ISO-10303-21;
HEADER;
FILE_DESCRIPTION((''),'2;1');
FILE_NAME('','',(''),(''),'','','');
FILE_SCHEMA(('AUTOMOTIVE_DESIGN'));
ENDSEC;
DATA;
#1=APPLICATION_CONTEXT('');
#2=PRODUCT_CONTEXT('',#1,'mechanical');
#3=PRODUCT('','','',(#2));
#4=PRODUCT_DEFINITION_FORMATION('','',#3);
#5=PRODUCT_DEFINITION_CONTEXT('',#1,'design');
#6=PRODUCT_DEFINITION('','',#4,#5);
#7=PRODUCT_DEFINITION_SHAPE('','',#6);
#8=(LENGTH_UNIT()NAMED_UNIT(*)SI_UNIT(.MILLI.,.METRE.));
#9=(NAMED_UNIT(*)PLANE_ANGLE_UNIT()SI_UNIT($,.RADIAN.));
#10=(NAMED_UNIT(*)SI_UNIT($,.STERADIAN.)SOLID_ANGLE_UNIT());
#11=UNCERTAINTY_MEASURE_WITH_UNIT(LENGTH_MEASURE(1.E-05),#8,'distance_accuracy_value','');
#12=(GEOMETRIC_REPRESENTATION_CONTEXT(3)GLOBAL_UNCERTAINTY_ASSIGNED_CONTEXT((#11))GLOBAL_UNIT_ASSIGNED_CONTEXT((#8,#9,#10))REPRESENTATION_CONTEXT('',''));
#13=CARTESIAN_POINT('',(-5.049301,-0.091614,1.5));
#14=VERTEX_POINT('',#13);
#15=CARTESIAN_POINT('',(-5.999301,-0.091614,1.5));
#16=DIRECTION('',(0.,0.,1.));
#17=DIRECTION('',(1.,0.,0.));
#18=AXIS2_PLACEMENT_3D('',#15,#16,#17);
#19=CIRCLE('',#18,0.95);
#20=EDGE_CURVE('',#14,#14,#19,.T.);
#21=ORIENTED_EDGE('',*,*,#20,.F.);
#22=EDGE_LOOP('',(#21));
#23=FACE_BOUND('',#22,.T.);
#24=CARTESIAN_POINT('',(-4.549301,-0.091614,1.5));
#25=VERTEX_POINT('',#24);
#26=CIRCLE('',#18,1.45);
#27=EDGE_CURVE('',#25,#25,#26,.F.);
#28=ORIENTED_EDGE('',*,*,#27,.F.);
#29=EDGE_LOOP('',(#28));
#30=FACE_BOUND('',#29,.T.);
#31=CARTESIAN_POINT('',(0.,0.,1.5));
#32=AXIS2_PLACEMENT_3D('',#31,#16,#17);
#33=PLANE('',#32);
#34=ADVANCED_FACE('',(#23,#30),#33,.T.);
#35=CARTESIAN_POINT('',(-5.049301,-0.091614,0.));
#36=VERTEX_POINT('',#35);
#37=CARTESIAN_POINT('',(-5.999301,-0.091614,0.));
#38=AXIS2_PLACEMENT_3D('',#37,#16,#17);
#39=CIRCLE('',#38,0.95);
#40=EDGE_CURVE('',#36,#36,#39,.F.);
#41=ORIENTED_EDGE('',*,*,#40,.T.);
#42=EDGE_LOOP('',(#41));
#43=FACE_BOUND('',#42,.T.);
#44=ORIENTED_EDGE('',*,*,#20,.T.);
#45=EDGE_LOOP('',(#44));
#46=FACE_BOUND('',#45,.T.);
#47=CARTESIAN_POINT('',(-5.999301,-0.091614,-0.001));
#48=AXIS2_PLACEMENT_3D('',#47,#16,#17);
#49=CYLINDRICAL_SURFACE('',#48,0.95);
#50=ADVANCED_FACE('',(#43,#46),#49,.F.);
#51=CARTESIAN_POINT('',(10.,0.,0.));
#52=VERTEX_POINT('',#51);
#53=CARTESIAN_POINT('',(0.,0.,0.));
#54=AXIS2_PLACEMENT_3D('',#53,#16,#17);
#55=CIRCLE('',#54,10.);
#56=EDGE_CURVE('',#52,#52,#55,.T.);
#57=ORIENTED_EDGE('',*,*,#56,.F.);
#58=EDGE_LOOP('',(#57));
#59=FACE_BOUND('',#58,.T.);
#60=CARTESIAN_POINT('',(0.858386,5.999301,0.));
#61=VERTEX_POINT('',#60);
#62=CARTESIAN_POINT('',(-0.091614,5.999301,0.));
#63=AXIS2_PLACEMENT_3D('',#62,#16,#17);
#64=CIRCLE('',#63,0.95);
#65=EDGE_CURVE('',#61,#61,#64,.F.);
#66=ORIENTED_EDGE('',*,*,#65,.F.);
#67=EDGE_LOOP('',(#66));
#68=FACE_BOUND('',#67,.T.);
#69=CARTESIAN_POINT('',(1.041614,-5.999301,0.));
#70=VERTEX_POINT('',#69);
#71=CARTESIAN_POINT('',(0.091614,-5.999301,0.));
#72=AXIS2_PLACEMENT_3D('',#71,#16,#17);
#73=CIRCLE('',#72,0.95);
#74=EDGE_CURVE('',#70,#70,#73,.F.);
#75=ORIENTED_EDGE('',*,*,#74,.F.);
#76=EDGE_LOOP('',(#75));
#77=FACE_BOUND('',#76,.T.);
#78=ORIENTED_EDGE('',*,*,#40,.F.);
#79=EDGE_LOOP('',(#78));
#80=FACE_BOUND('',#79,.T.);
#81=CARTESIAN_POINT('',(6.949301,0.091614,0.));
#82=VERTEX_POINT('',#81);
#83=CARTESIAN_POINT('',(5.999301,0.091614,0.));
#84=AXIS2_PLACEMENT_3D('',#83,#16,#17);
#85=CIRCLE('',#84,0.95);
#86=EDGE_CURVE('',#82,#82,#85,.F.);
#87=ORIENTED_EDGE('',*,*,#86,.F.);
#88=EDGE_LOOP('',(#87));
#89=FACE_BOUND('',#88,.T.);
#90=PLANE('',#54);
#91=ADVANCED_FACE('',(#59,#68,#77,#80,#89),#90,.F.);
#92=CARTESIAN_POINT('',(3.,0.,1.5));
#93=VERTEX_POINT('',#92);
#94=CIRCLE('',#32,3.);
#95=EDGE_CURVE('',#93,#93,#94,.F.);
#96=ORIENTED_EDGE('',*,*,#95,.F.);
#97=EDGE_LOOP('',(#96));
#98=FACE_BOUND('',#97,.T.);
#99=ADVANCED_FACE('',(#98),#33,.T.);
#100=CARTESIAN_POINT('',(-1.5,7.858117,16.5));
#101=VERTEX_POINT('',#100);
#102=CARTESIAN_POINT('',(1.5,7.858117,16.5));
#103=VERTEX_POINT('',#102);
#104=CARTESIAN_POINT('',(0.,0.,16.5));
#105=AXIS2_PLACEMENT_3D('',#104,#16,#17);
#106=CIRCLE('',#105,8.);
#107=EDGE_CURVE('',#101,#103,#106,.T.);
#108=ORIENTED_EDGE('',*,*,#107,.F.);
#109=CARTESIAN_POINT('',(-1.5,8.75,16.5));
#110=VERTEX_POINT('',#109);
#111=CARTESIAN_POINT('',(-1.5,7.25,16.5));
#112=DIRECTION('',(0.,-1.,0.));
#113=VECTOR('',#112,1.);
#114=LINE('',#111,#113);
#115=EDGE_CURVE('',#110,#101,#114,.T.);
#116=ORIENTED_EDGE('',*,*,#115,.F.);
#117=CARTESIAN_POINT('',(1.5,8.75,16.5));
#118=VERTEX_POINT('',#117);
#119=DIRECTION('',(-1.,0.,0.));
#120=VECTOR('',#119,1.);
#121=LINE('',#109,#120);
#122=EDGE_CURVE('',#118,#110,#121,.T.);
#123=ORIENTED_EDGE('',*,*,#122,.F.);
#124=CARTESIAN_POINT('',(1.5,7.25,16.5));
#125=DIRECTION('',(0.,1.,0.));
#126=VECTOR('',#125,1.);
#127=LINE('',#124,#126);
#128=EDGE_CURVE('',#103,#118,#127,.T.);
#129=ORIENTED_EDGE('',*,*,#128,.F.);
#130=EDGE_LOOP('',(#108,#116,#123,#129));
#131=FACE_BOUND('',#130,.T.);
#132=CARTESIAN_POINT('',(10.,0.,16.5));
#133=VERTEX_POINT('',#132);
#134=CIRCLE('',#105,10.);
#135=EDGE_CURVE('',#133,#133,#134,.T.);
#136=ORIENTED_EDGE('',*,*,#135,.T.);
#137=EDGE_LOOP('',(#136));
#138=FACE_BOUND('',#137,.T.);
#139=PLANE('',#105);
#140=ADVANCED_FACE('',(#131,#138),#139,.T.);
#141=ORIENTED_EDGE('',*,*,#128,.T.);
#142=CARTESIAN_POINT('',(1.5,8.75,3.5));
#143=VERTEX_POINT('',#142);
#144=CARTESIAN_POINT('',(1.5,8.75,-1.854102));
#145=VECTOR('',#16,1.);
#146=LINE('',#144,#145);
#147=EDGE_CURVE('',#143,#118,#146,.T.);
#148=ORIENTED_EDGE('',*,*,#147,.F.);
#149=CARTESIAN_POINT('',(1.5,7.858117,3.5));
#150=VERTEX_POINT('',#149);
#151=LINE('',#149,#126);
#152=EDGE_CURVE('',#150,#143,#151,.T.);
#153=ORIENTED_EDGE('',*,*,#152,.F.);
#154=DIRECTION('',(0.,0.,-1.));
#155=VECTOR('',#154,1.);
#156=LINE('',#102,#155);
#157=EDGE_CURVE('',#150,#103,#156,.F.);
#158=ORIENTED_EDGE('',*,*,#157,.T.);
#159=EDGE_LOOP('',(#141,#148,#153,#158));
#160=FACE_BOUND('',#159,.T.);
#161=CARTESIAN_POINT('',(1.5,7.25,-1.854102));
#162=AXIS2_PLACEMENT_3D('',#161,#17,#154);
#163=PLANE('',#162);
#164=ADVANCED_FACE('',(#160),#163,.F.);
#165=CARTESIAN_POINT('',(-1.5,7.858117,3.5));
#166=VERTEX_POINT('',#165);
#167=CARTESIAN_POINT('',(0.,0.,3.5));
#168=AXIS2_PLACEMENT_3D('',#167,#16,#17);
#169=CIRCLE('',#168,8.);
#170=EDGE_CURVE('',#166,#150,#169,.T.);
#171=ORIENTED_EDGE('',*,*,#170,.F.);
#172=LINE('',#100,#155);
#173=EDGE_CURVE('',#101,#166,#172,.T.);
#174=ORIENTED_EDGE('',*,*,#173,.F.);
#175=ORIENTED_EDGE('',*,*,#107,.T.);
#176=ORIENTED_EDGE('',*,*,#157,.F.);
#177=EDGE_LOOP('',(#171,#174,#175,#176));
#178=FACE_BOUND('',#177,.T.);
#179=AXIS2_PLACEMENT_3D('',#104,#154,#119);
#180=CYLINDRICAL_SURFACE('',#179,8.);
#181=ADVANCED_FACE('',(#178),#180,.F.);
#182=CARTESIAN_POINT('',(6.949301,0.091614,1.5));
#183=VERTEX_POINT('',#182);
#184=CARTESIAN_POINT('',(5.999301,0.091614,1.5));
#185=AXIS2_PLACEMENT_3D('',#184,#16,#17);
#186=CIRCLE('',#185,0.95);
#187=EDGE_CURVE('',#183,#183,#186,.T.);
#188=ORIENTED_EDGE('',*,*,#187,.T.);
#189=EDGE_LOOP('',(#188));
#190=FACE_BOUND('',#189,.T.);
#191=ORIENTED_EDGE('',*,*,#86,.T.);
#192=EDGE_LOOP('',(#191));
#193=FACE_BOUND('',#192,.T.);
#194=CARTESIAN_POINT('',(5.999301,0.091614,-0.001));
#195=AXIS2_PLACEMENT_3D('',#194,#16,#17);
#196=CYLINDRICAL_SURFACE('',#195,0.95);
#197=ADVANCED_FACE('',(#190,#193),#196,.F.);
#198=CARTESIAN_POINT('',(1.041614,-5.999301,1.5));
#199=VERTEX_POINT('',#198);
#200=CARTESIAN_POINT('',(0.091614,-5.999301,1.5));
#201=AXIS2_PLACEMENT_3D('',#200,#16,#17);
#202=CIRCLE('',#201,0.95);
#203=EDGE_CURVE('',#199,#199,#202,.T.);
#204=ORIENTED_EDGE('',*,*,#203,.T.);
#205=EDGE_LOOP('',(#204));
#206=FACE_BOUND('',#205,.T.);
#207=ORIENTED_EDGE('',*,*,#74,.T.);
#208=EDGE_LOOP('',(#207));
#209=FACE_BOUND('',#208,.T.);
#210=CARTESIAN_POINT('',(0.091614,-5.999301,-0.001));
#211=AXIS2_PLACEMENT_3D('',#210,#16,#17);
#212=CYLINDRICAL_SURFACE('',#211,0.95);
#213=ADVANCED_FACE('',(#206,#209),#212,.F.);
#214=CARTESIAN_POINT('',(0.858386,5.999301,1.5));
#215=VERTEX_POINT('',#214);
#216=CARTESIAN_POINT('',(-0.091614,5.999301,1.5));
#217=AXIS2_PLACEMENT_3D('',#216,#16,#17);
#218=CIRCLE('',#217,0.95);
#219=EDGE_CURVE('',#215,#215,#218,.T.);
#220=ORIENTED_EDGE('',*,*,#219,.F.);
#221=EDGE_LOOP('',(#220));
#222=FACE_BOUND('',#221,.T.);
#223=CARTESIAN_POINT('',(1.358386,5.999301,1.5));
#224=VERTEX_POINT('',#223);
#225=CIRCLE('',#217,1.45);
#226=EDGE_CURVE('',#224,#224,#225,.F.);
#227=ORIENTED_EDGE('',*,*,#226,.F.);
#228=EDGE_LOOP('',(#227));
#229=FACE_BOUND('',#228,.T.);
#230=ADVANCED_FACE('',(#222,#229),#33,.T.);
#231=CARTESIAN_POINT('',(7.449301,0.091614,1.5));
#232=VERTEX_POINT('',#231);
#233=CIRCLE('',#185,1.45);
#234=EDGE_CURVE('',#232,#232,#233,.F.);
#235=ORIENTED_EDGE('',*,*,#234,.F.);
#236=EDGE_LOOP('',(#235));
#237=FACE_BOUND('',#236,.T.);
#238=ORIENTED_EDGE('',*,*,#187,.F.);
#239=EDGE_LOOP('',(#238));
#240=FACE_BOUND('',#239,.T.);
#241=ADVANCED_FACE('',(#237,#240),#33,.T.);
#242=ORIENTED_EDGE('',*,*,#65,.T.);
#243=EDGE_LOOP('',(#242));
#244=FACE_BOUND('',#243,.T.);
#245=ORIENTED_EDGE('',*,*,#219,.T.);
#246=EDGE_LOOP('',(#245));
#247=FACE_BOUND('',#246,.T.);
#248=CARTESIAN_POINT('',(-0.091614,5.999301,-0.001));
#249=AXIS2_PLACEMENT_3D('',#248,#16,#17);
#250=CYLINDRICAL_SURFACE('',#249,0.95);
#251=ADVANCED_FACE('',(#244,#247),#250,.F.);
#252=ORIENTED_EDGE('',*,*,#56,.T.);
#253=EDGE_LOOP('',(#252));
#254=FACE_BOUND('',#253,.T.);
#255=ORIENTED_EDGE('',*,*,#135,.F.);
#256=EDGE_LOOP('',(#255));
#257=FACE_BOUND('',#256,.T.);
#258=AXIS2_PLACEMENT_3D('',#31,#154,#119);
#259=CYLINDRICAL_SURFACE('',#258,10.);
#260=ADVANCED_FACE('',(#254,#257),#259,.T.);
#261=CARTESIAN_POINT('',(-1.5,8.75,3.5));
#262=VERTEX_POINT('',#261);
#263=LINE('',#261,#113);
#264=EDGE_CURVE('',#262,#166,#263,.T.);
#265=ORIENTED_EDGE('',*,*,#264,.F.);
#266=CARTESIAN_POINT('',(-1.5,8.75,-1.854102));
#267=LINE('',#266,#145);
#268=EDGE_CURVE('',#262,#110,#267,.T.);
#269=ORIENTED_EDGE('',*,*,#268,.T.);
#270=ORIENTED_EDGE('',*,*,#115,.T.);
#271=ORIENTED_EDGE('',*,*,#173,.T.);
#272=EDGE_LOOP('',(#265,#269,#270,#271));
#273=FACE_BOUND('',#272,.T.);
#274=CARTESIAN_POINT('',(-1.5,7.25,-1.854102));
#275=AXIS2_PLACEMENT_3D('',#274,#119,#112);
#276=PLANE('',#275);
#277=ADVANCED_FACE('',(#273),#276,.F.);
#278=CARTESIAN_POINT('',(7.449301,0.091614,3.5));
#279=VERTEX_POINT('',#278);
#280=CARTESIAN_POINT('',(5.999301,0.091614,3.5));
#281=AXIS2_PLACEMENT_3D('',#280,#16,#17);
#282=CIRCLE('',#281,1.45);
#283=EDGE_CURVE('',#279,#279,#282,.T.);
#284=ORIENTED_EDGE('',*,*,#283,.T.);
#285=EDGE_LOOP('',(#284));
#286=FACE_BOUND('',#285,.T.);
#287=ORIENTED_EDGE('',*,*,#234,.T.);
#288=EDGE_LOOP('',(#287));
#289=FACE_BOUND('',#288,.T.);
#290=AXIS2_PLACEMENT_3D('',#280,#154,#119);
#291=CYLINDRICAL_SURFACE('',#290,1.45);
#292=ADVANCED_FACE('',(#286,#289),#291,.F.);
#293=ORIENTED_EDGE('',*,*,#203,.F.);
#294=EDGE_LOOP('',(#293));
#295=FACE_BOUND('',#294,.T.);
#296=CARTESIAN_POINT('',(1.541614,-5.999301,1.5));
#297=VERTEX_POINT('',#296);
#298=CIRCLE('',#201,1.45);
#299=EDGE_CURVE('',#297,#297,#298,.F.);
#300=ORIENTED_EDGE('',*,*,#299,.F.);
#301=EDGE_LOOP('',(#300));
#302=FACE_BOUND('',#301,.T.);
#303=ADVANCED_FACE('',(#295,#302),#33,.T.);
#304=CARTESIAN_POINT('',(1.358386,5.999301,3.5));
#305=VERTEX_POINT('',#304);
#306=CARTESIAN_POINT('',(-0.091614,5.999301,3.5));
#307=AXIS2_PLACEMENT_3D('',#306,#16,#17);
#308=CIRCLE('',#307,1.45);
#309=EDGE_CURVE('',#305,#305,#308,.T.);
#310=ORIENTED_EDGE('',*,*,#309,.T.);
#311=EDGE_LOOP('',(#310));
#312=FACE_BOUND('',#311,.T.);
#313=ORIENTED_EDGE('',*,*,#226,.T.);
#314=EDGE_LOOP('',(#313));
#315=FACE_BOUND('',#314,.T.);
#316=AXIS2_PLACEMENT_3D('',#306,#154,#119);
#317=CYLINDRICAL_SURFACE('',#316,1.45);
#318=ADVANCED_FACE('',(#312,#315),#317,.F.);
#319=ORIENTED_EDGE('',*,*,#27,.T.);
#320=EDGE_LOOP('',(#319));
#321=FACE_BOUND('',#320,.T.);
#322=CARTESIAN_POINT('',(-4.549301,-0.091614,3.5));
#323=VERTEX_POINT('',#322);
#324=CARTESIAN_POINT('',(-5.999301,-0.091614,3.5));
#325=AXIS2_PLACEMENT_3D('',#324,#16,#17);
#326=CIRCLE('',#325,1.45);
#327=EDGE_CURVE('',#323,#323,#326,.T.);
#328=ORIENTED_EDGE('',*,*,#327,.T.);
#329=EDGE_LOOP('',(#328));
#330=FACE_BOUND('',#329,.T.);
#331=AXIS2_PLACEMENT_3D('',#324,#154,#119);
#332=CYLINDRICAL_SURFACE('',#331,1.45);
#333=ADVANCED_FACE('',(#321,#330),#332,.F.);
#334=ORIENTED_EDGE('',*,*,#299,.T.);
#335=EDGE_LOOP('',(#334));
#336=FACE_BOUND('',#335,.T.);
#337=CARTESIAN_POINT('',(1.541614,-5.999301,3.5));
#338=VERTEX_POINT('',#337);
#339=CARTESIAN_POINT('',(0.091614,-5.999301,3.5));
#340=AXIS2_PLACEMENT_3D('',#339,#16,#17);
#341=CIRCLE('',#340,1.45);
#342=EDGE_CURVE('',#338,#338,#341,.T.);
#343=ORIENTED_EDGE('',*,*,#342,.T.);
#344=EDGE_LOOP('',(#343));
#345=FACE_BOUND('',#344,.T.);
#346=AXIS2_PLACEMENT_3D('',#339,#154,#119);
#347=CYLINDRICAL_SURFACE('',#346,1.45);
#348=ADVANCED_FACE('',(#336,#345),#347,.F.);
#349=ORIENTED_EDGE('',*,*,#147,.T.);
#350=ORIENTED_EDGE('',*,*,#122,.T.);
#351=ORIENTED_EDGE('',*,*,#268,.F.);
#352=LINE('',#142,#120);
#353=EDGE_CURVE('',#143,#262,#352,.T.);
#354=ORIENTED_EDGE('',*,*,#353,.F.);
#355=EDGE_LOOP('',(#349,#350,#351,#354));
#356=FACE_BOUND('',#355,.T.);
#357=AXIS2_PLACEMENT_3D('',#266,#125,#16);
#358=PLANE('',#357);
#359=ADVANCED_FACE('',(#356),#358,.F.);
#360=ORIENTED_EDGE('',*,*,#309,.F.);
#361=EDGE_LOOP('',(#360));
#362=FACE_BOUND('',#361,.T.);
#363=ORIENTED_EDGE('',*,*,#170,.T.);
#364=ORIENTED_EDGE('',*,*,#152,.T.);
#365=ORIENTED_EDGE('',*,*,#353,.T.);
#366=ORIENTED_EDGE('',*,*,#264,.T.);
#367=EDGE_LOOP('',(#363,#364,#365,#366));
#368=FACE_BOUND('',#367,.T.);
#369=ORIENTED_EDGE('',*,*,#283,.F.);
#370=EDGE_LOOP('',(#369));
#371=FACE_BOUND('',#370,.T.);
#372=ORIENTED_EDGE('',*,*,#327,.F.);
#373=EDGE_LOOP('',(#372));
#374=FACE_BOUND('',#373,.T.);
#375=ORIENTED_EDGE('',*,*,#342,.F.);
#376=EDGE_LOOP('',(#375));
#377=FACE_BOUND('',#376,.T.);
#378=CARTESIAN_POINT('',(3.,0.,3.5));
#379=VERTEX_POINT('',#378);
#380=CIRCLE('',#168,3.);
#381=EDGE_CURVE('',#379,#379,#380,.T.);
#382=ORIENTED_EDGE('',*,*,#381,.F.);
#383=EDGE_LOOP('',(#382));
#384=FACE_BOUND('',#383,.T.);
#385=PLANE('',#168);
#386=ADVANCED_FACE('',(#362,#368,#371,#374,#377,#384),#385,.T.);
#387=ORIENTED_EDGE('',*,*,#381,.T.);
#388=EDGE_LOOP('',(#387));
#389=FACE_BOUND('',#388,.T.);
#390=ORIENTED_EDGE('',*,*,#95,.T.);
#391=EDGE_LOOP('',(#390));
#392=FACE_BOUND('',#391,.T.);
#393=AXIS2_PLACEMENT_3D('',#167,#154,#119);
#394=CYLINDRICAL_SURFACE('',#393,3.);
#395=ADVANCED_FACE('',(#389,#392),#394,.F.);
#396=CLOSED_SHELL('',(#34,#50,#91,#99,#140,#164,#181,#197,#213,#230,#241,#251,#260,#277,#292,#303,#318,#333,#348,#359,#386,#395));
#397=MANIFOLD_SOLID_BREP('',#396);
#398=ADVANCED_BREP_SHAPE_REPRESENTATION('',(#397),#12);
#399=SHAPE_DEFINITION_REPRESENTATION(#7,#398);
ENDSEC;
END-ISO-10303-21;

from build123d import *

# Parameters (mm, degrees)
CROQUIS1_R              = 10
SALIENTE_EXTRUIR1_DEPTH = 1.5
CROQUIS2_R              = 10
CROQUIS2_R_2            = 8
SALIENTE_EXTRUIR2_DEPTH = 15
CORTAR_EXTRUIR2_REACH   = 22.616
CROQUIS4_R              = 0.95
CROQUIS5_W              = 3
CROQUIS5_H              = 1.5
CORTAR_EXTRUIR3_DEPTH   = 15
CROQUIS6_R              = 3
CROQUIS6_R_2            = 1.45
SALIENTE_EXTRUIR3_DEPTH = 2


with BuildPart() as part:
    # Croquis1 → Saliente-Extruir1 (new body)
    with BuildSketch(Plane.XY):
        Circle(CROQUIS1_R)
    extrude(amount=SALIENTE_EXTRUIR1_DEPTH)

    # Croquis2 → Saliente-Extruir2 (add)
    with BuildSketch(Plane.XY.offset(1.5)):
        Circle(CROQUIS2_R)
        Circle(CROQUIS2_R_2, mode=Mode.SUBTRACT)
    extrude(amount=SALIENTE_EXTRUIR2_DEPTH)

    # Croquis4 → Cortar-Extruir2 (cut, up to next)
    with BuildSketch(Plane.XY.offset(1.5), mode=Mode.PRIVATE) as cortar_extruir2_sk1:
        with Locations((-5.999300536, -0.09161372)):
            Circle(CROQUIS4_R)
    cortar_extruir2_tool1 = extrude(cortar_extruir2_sk1.sketch, amount=-CORTAR_EXTRUIR2_REACH, mode=Mode.PRIVATE) & part.part
    # Croquis4 → Cortar-Extruir2 (cut, up to next)
    with BuildSketch(Plane.XY.offset(1.5), mode=Mode.PRIVATE) as cortar_extruir2_sk2:
        with Locations((-0.09161372, 5.999300536)):
            Circle(CROQUIS4_R)
    cortar_extruir2_tool2 = extrude(cortar_extruir2_sk2.sketch, amount=-CORTAR_EXTRUIR2_REACH, mode=Mode.PRIVATE) & part.part
    # Croquis4 → Cortar-Extruir2 (cut, up to next)
    with BuildSketch(Plane.XY.offset(1.5), mode=Mode.PRIVATE) as cortar_extruir2_sk3:
        with Locations((5.999300536, 0.09161372)):
            Circle(CROQUIS4_R)
    cortar_extruir2_tool3 = extrude(cortar_extruir2_sk3.sketch, amount=-CORTAR_EXTRUIR2_REACH, mode=Mode.PRIVATE) & part.part
    # Croquis4 → Cortar-Extruir2 (cut, up to next)
    with BuildSketch(Plane.XY.offset(1.5), mode=Mode.PRIVATE) as cortar_extruir2_sk4:
        with Locations((0.09161372, -5.999300536)):
            Circle(CROQUIS4_R)
    cortar_extruir2_tool4 = extrude(cortar_extruir2_sk4.sketch, amount=-CORTAR_EXTRUIR2_REACH, mode=Mode.PRIVATE) & part.part
    add(cortar_extruir2_tool1.solids().sort_by_distance((-5.999301, -0.091614, 1.5))[0], mode=Mode.SUBTRACT)
    add(cortar_extruir2_tool2.solids().sort_by_distance((-0.091614, 5.999301, 1.5))[0], mode=Mode.SUBTRACT)
    add(cortar_extruir2_tool3.solids().sort_by_distance((5.999301, 0.091614, 1.5))[0], mode=Mode.SUBTRACT)
    add(cortar_extruir2_tool4.solids().sort_by_distance((0.091614, -5.999301, 1.5))[0], mode=Mode.SUBTRACT)

    # Croquis5 → Cortar-Extruir3 (cut)
    with BuildSketch(Plane.XY.offset(16.5)):
        with Locations((0, 8)):
            Rectangle(CROQUIS5_W, CROQUIS5_H)
    extrude(amount=-CORTAR_EXTRUIR3_DEPTH, mode=Mode.SUBTRACT)

    # Croquis6 → Saliente-Extruir3 (add)
    with BuildSketch(Plane.XY.offset(1.5)):
        with BuildLine():
            Line((1.5, 7.858116823), (1.5, 8.75))
            Line((1.5, 8.75), (-1.5, 8.75))
            Line((-1.5, 8.75), (-1.5, 7.858116823))
            ThreePointArc((-1.5, 7.858116823), (0, -8), (1.5, 7.858116823))
        make_face()
        Circle(CROQUIS6_R, mode=Mode.SUBTRACT)
        with Locations((-0.09161372, 5.999300536)):
            Circle(CROQUIS6_R_2, mode=Mode.SUBTRACT)
        with Locations((5.999300536, 0.09161372)):
            Circle(CROQUIS6_R_2, mode=Mode.SUBTRACT)
        with Locations((-5.999300536, -0.09161372)):
            Circle(CROQUIS6_R_2, mode=Mode.SUBTRACT)
        with Locations((0.09161372, -5.999300536)):
            Circle(CROQUIS6_R_2, mode=Mode.SUBTRACT)
    extrude(amount=SALIENTE_EXTRUIR3_DEPTH)


solid = part.part
